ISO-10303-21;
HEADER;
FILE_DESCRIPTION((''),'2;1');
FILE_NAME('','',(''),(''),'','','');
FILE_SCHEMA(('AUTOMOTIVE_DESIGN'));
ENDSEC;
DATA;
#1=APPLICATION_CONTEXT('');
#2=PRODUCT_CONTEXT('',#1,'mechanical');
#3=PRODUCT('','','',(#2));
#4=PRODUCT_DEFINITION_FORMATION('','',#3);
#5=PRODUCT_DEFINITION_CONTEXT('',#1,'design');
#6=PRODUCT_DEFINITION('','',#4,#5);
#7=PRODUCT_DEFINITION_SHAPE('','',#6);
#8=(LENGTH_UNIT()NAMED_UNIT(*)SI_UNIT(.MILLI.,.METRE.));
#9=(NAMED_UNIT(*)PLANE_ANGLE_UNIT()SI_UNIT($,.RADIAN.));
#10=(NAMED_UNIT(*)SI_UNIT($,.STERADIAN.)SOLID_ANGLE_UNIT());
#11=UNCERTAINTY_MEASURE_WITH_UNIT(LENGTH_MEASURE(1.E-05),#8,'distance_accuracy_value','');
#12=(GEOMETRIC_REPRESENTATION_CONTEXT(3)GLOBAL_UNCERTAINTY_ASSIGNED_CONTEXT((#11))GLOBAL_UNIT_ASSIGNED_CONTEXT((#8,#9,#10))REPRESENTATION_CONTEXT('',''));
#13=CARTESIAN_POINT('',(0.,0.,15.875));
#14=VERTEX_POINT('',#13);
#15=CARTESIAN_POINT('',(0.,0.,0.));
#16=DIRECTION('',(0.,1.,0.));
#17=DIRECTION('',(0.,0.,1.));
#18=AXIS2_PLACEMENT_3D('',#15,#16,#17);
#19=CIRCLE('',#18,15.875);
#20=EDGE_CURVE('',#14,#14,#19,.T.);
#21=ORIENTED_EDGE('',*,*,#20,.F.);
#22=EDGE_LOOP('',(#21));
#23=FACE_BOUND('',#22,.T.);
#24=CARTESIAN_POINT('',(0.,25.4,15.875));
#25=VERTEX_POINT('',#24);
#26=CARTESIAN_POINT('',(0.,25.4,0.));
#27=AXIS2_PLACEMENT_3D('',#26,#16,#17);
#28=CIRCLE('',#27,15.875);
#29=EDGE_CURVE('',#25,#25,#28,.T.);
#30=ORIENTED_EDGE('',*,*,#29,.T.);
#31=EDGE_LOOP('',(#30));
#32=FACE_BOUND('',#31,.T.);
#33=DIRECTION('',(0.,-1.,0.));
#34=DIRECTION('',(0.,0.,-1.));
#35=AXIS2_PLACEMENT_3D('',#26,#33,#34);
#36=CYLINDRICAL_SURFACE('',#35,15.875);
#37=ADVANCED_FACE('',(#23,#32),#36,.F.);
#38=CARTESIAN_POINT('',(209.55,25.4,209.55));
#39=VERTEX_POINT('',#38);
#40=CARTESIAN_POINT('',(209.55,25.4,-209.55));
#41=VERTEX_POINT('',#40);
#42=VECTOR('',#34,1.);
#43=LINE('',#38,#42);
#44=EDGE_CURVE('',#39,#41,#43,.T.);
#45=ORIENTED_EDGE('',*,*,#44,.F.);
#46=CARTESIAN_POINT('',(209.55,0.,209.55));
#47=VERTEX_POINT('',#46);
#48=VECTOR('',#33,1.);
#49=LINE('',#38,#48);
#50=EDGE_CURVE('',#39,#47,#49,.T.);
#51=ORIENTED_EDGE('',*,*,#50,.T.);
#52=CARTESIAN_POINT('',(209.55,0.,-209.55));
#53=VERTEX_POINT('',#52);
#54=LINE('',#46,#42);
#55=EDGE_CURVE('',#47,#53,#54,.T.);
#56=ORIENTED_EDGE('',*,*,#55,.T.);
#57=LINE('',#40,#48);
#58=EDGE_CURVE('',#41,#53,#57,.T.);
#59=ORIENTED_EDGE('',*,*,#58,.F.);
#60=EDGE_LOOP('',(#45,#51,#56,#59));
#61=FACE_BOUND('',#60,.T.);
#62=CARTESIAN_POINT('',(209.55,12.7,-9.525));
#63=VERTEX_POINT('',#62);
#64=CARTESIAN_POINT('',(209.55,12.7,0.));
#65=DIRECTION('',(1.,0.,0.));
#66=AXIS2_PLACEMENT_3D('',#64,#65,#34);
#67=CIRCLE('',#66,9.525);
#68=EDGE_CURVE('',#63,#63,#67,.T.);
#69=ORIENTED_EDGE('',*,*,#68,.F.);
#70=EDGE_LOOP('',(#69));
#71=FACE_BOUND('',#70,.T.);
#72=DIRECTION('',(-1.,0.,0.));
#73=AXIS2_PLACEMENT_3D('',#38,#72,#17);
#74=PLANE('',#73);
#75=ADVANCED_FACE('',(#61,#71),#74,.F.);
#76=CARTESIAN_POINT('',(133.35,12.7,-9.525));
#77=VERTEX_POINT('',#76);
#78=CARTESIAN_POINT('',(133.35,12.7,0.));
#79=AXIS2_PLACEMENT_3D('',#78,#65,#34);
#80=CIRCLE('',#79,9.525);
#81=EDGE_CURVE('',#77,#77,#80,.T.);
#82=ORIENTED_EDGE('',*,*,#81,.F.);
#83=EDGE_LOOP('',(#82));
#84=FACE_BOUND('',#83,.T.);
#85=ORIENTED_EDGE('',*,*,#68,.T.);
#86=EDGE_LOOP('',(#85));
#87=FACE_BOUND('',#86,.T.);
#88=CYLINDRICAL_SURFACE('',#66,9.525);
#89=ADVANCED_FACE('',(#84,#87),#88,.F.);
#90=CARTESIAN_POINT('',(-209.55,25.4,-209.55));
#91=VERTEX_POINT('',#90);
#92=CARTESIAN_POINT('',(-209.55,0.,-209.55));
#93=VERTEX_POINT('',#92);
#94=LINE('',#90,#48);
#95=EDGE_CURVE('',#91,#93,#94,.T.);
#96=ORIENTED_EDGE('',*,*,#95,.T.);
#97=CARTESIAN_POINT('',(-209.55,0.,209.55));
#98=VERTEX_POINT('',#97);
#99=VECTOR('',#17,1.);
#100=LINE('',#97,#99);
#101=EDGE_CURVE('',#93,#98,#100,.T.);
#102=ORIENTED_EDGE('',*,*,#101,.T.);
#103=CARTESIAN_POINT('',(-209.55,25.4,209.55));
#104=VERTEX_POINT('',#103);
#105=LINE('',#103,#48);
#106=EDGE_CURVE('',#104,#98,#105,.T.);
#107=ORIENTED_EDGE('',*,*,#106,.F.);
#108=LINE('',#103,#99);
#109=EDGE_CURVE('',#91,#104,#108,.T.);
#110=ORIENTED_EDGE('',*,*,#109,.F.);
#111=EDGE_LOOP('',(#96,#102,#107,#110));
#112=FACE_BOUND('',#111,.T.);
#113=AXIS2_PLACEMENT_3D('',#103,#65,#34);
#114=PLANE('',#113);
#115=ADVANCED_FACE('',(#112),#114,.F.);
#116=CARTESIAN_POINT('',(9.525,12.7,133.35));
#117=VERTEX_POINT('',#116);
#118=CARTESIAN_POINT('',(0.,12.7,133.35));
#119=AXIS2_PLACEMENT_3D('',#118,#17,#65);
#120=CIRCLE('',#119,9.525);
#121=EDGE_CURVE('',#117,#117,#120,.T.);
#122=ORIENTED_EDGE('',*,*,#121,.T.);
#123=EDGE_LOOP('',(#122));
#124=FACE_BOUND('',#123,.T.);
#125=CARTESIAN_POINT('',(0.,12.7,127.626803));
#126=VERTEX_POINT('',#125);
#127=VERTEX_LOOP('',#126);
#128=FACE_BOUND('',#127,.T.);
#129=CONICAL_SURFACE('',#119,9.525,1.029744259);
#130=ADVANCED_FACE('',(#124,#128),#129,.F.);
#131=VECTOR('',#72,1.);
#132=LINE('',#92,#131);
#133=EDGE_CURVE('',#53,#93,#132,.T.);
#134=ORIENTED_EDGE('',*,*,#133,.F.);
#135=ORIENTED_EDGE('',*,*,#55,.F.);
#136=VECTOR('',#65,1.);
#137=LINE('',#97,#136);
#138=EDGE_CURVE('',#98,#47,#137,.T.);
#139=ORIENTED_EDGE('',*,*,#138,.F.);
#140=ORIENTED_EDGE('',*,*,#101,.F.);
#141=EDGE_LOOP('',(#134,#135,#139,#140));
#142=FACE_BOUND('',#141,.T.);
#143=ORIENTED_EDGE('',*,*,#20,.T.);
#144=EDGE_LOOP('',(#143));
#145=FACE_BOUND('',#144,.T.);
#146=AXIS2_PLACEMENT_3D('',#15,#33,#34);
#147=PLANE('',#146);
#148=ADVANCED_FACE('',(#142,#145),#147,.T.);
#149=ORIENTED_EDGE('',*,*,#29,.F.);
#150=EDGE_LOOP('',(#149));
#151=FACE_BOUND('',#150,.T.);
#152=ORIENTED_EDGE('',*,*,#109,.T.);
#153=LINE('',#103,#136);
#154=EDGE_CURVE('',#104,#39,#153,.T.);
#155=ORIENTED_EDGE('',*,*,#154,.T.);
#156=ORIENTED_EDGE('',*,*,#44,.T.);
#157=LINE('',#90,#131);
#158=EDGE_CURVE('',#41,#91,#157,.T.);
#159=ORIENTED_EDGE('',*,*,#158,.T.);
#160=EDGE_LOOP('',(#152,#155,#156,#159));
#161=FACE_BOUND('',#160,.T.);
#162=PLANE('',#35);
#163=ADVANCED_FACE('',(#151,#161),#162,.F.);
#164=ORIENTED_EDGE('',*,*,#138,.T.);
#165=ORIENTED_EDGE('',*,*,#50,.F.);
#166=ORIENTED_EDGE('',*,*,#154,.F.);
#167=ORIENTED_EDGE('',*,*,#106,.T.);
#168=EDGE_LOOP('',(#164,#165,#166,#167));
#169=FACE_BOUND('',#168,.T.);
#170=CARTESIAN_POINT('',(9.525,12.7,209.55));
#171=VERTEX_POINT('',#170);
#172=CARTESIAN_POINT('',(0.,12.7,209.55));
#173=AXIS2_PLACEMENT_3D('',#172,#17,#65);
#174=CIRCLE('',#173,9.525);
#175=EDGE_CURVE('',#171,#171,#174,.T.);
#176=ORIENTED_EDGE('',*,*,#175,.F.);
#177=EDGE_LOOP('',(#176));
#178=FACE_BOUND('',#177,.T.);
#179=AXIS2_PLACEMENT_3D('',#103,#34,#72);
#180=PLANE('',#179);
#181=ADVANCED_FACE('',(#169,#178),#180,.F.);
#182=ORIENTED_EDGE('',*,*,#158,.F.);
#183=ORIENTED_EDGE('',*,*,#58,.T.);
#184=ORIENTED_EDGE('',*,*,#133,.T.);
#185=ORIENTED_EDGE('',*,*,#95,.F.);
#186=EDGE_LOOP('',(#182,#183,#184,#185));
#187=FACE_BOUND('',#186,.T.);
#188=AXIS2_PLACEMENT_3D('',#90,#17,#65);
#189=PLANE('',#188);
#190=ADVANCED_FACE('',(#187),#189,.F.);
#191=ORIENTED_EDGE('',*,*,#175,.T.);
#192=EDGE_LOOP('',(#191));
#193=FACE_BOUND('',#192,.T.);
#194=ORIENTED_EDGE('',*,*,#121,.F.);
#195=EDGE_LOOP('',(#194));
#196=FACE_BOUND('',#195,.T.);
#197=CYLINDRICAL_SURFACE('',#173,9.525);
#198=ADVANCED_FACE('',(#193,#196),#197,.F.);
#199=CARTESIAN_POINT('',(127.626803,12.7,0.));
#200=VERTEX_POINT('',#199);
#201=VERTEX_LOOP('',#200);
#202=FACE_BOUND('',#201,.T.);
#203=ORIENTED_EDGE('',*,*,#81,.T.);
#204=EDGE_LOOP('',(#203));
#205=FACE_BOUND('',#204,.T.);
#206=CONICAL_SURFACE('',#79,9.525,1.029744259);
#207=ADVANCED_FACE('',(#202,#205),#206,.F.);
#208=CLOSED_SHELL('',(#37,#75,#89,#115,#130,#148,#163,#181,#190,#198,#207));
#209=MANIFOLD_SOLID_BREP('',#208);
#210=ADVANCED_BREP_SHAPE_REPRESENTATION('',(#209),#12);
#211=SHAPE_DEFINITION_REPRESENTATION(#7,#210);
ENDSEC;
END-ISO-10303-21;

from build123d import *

# Parameters (mm, degrees)
SKETCH1_W                       = 419.1
SKETCH1_H                       = 419.1
SKETCH1_R                       = 15.875
BOSS_EXTRUDE1_DEPTH             = 25.4
F_3_4_0_75_DIAMETER_HOLE2_D     = 19.05
F_3_4_0_75_DIAMETER_HOLE2_DEPTH = 76.2
F_3_4_0_75_DIAMETER_HOLE2_TIP   = 5.723197396
F_3_4_0_75_DIAMETER_HOLE1_D     = 19.05
F_3_4_0_75_DIAMETER_HOLE1_DEPTH = 76.2
F_3_4_0_75_DIAMETER_HOLE1_TIP   = 5.723197396


with BuildPart() as part:
    # Sketch1 → Boss-Extrude1 (new body)
    with BuildSketch(Plane(origin=(0, 0, 0), x_dir=(1, 0, 0), z_dir=(0, 1, 0))):
        Rectangle(SKETCH1_W, SKETCH1_H)
        Circle(SKETCH1_R, mode=Mode.SUBTRACT)
    extrude(amount=BOSS_EXTRUDE1_DEPTH)

    # 3/4 (0.75) Diameter Hole2
    with Locations(Plane(origin=(209.55, 0, 0), x_dir=(0, 0, -1), z_dir=(1, 0, 0))):
        with Locations((0, 12.7)):
            Hole(F_3_4_0_75_DIAMETER_HOLE2_D / 2, depth=F_3_4_0_75_DIAMETER_HOLE2_DEPTH)
            with Locations((0, 0, -(F_3_4_0_75_DIAMETER_HOLE2_DEPTH + F_3_4_0_75_DIAMETER_HOLE2_TIP / 2))):  # 118° drill point
                Cone(0, F_3_4_0_75_DIAMETER_HOLE2_D / 2, F_3_4_0_75_DIAMETER_HOLE2_TIP, mode=Mode.SUBTRACT)

    # 3/4 (0.75) Diameter Hole1
    with Locations(Plane.XY.offset(209.55)):
        with Locations((0, 12.7)):
            Hole(F_3_4_0_75_DIAMETER_HOLE1_D / 2, depth=F_3_4_0_75_DIAMETER_HOLE1_DEPTH)
            with Locations((0, 0, -(F_3_4_0_75_DIAMETER_HOLE1_DEPTH + F_3_4_0_75_DIAMETER_HOLE1_TIP / 2))):  # 118° drill point
                Cone(0, F_3_4_0_75_DIAMETER_HOLE1_D / 2, F_3_4_0_75_DIAMETER_HOLE1_TIP, mode=Mode.SUBTRACT)


solid = part.part
